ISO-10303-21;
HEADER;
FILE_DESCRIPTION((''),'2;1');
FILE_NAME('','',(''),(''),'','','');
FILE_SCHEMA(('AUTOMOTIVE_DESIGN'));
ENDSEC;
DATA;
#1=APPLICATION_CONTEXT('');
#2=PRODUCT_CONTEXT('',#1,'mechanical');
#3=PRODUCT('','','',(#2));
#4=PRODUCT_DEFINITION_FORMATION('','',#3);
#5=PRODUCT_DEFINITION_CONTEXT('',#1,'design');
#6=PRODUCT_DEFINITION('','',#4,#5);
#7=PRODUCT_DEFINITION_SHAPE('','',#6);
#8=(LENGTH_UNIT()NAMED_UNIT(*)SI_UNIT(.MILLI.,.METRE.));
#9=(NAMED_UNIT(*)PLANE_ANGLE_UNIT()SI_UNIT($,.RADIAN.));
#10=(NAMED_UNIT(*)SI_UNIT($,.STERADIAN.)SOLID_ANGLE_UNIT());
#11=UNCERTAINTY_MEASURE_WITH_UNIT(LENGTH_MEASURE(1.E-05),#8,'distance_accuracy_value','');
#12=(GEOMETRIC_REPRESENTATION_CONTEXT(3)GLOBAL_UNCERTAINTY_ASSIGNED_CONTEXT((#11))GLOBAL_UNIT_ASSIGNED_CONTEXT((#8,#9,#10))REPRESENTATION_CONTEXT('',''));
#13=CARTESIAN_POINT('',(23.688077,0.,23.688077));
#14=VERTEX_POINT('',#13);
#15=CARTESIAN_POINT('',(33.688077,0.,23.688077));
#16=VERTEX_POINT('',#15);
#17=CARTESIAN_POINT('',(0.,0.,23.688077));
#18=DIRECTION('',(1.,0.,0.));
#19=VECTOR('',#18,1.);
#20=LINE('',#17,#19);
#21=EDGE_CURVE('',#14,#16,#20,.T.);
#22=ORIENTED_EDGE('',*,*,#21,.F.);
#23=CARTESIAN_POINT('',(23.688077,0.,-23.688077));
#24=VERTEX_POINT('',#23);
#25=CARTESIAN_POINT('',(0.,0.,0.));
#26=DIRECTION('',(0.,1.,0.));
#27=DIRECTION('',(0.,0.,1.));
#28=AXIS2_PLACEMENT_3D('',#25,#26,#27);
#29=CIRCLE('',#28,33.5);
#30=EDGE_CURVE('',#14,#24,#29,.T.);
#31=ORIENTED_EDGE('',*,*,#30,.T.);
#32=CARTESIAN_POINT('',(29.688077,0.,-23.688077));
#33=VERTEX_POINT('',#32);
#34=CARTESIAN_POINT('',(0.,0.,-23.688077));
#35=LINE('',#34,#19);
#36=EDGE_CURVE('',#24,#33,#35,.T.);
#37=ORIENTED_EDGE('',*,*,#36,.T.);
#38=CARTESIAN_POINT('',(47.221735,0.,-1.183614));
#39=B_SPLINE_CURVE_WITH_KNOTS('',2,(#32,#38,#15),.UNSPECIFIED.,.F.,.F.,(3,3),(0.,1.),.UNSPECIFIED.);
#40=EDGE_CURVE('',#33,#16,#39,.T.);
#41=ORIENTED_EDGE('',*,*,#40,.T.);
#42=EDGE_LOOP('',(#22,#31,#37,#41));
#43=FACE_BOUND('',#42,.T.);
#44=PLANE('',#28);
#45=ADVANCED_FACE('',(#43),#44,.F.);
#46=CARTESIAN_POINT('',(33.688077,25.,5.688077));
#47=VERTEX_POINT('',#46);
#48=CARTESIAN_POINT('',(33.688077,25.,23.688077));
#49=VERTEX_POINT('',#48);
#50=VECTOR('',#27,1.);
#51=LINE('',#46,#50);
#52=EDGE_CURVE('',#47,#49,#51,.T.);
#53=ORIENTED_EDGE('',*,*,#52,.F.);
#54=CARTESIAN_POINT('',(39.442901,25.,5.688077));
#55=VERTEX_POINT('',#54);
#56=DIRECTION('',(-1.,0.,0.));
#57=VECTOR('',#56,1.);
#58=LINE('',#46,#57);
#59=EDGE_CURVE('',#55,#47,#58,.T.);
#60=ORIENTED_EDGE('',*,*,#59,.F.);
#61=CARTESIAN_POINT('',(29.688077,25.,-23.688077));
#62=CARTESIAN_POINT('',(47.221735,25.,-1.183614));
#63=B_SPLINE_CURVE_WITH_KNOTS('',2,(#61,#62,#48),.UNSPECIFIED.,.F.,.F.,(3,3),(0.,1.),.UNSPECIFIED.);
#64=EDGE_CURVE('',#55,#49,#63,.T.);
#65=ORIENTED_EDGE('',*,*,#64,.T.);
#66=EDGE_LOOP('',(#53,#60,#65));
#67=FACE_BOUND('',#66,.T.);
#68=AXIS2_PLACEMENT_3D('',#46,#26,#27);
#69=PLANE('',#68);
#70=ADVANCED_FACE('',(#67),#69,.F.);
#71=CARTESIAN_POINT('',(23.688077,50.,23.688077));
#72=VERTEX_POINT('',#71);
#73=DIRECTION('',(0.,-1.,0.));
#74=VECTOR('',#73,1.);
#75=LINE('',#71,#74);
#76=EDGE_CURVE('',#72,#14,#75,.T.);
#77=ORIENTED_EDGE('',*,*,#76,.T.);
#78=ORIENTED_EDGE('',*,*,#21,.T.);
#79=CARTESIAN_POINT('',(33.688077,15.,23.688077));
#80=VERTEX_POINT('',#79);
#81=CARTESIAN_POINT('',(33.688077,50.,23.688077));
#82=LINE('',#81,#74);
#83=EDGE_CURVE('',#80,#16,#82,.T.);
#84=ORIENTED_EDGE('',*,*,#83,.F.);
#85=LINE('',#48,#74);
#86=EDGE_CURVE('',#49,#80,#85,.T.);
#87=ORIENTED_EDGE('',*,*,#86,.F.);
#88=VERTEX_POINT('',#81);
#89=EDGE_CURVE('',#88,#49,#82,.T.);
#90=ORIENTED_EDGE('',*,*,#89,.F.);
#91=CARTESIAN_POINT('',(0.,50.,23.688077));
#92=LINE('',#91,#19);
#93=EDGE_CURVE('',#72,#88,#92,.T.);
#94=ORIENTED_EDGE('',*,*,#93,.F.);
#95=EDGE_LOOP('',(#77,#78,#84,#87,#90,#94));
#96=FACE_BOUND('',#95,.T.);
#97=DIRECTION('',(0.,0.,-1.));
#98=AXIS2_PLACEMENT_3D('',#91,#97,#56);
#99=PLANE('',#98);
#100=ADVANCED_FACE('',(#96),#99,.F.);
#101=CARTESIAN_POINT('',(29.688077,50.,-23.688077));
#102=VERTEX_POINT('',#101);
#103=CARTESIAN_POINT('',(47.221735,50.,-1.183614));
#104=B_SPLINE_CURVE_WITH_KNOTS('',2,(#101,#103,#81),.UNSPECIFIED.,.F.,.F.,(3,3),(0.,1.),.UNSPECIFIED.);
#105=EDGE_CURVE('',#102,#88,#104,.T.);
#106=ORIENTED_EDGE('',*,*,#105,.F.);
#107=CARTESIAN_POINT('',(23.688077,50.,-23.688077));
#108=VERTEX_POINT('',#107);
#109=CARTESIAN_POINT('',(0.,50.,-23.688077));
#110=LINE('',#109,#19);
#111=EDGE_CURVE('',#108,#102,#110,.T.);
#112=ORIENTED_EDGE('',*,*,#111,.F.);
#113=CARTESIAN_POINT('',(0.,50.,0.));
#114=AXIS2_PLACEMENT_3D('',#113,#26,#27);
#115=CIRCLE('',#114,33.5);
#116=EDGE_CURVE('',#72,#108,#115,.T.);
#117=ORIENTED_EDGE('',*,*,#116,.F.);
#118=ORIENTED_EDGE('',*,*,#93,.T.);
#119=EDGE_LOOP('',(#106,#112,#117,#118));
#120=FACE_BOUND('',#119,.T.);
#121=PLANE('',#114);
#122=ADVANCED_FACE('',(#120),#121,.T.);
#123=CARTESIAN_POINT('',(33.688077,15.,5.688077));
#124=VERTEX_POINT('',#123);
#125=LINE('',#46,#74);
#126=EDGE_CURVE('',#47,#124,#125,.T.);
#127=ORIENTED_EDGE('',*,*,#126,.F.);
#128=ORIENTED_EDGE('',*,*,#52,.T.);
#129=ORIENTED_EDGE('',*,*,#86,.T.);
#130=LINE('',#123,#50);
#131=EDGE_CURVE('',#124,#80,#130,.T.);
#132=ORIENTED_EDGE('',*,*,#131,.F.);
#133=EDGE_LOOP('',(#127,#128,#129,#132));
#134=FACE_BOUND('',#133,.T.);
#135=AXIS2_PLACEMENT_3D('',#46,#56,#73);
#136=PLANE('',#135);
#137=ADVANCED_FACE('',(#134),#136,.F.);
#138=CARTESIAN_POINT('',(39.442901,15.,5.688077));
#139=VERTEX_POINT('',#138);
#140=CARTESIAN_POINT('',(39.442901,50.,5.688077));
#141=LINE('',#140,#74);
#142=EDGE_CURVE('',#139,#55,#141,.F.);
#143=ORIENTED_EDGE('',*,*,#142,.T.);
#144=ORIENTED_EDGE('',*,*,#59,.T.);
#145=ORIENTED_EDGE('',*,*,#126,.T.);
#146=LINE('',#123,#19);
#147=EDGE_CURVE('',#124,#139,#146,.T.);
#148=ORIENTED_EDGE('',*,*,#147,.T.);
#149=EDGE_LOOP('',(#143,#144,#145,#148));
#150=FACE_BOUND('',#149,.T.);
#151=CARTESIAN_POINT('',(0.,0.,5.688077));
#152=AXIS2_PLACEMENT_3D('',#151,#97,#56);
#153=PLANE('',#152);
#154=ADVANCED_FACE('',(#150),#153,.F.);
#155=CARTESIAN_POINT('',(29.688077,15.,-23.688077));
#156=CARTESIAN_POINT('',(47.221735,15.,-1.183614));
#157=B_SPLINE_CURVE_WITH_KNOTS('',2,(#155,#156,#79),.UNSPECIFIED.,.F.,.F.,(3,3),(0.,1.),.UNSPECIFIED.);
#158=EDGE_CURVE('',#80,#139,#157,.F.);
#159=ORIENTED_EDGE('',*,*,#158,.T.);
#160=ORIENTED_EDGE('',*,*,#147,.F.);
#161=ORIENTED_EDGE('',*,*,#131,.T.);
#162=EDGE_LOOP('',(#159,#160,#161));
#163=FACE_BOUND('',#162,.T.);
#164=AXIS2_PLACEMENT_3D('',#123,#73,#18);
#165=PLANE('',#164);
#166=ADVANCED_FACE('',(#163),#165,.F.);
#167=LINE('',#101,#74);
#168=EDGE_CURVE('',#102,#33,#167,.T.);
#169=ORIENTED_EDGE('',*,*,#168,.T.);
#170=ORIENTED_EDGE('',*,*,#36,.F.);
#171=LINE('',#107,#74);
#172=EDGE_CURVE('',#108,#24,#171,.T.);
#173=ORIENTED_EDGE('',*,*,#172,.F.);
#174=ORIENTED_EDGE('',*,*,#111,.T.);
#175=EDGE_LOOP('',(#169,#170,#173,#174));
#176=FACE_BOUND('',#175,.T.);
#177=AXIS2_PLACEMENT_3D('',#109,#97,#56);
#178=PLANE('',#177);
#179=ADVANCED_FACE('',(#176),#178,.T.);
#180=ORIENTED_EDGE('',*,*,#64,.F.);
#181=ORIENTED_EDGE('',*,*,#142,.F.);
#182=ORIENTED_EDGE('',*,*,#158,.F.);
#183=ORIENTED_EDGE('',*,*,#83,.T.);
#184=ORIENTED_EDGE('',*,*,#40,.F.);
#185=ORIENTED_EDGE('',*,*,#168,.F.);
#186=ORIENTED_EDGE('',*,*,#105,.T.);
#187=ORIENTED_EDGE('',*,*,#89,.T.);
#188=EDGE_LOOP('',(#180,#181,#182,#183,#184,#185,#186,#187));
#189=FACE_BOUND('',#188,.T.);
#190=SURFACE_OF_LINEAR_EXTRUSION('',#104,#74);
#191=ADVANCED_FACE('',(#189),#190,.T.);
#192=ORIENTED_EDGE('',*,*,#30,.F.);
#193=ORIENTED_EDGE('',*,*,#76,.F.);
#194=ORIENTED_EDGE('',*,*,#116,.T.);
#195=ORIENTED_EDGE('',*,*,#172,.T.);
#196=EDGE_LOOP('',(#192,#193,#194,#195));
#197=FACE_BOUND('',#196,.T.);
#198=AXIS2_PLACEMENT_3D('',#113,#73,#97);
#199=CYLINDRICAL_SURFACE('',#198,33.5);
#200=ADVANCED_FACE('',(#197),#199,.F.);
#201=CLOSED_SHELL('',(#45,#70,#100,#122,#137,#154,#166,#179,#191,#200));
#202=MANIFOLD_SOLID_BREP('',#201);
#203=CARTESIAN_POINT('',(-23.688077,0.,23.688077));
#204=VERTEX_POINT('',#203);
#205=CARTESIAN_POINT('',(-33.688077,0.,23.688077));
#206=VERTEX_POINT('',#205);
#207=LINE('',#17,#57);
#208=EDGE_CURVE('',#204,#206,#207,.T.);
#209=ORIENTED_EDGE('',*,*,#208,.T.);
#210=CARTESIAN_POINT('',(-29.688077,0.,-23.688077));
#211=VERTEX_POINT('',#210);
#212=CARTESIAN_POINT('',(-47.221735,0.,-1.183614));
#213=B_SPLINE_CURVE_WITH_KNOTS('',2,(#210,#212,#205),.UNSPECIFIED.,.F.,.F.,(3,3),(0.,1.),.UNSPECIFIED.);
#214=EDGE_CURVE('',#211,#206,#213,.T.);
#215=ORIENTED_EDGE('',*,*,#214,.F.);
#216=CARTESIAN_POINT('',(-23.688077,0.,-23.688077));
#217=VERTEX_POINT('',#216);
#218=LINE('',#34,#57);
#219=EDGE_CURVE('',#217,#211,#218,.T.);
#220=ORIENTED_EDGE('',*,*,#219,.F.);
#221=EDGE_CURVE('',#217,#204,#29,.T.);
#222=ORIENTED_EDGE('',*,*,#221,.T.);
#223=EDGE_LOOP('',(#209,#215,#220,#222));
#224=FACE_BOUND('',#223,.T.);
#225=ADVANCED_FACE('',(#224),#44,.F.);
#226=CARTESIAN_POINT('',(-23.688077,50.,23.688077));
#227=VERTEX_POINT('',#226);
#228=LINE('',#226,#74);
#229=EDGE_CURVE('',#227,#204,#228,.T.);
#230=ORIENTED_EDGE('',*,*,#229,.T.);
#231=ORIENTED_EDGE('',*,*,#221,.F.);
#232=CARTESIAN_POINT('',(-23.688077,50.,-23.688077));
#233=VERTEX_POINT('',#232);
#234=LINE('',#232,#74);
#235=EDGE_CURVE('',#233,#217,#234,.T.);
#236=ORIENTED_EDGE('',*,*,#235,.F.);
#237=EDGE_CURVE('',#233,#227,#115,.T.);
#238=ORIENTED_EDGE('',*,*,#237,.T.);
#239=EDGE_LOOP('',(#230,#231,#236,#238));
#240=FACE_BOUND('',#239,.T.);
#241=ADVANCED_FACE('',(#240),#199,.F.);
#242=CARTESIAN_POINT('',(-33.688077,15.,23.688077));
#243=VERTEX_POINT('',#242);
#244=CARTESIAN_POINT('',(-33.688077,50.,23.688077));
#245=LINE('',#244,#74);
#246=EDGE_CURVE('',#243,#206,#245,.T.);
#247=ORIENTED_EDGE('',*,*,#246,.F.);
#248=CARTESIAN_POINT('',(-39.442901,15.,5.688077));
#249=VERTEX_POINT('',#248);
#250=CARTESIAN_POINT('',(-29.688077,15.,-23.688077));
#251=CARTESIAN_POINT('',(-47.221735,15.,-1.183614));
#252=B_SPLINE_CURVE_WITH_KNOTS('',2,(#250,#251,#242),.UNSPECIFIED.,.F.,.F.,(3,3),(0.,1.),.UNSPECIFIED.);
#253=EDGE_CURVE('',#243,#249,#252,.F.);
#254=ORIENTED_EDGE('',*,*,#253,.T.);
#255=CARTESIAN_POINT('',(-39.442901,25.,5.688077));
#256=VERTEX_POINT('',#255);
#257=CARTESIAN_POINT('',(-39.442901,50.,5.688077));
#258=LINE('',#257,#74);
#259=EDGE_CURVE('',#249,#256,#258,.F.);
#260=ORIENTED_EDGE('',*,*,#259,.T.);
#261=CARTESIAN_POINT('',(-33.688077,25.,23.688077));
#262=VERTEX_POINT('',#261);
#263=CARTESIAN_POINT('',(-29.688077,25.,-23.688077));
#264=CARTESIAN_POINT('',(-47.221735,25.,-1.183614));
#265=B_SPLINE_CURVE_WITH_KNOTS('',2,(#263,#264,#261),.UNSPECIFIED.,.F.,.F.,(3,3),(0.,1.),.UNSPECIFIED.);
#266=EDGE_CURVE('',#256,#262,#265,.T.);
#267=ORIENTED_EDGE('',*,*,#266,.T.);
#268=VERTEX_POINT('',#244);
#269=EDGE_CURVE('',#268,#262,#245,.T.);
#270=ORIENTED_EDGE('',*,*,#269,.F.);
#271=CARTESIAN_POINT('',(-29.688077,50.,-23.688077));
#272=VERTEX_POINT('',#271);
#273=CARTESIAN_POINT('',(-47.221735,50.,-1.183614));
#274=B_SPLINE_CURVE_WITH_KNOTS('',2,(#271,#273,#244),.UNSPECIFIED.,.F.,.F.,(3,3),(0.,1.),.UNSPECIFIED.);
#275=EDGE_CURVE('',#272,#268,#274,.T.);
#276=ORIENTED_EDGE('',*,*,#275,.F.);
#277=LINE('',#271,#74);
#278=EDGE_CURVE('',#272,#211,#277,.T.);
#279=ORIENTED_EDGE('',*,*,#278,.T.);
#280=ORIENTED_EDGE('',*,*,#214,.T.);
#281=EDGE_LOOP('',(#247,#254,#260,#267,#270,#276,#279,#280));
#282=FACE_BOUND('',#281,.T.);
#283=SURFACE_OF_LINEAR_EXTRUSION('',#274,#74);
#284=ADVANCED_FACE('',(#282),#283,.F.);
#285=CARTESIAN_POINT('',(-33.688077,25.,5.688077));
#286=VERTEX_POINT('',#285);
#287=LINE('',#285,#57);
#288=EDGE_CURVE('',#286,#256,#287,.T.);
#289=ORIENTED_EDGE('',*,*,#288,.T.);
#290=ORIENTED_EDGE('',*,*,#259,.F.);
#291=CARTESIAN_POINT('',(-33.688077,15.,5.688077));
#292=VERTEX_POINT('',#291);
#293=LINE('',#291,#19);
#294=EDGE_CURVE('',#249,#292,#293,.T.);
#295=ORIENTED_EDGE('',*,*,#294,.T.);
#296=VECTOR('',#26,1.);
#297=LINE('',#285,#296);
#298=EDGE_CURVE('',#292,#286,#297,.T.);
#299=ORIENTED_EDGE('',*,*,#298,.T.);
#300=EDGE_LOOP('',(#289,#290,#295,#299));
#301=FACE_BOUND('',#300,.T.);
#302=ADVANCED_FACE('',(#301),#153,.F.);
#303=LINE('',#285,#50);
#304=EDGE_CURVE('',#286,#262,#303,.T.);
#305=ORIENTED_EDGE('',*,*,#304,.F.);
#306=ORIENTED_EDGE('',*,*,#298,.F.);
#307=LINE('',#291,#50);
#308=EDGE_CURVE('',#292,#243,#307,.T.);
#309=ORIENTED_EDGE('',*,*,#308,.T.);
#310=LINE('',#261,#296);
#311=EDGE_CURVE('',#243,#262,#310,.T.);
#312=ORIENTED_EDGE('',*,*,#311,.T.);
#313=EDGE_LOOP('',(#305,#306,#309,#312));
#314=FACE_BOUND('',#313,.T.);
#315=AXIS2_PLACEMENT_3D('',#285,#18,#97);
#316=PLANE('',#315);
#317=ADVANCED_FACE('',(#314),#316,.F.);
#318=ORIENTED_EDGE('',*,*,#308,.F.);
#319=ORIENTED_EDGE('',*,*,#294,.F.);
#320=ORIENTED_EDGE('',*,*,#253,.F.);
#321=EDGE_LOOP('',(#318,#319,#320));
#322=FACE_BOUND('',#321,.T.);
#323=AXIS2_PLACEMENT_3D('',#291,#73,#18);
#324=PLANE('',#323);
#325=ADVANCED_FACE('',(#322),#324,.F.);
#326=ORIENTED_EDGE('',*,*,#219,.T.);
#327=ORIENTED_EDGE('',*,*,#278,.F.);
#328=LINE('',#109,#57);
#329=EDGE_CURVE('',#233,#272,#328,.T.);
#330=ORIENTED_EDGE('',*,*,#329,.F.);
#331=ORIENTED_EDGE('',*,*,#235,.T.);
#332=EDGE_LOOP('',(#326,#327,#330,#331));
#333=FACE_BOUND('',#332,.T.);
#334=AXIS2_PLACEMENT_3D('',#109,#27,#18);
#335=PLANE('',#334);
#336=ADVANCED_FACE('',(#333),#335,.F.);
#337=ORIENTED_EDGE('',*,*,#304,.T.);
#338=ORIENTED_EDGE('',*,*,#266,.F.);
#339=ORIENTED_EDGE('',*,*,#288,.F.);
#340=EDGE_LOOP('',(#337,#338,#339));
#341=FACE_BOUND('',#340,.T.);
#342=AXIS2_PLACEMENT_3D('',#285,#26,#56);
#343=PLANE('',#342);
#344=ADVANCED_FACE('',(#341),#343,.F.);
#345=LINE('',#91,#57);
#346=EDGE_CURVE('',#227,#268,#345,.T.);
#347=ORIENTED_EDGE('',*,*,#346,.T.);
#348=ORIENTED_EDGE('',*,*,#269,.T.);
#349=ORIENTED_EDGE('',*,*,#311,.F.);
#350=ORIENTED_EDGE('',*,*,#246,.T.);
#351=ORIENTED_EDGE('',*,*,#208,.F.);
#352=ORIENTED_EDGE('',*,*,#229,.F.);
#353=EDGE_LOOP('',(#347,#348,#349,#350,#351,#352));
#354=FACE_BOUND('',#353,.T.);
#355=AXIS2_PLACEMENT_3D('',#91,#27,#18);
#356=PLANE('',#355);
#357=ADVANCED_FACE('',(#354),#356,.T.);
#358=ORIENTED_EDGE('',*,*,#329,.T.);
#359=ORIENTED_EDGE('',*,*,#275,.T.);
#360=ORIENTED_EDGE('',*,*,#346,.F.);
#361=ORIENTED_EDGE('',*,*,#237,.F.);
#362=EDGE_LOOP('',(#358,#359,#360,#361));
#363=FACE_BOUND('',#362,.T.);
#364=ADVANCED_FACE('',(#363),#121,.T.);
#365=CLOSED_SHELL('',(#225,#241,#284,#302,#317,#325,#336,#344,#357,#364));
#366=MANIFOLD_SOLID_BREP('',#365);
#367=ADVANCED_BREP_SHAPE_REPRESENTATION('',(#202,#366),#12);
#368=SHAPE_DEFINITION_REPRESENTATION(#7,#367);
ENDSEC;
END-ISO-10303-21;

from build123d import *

# Parameters (mm, degrees)
BOSS_EXTRUDE1_DEPTH   = 50
BOSS_EXTRUDE1_2_DEPTH = 50
SKETCH3_W             = 8
SKETCH3_H             = 10
CUT_EXTRUDE5_DEPTH    = 18


with BuildPart() as part:
    # Sketch2 → Boss-Extrude1 (new body)
    with BuildSketch(Plane(origin=(0, 0, 0), x_dir=(1, 0, 0), z_dir=(0, 1, 0))):
        with BuildLine():
            ThreePointArc((-23.68807717, -23.68807717), (-33.5, 0), (-23.68807717, 23.68807717))
            Line((-23.68807717, 23.68807717), (-29.68807717, 23.68807717))
            add(Edge.make_bspline(
                [(-29.68807717, 23.68807717), (-47.221735333, 1.183613852), (-33.68807717, -23.68807717)],
                knots=[0, 0, 0, 1, 1, 1], degree=2))
            Line((-33.68807717, -23.68807717), (-23.68807717, -23.68807717))
        make_face()
    extrude(amount=BOSS_EXTRUDE1_DEPTH)


with BuildPart() as body_2:
    # Sketch2 → Boss-Extrude1 2 (new body)
    with BuildSketch(Plane(origin=(0, 0, 0), x_dir=(1, 0, 0), z_dir=(0, 1, 0))):
        with BuildLine():
            Line((29.68807717, 23.68807717), (23.68807717, 23.68807717))
            ThreePointArc((23.68807717, 23.68807717), (33.5, 0), (23.68807717, -23.68807717))
            Line((23.68807717, -23.68807717), (33.68807717, -23.68807717))
            add(Edge.make_bspline(
                [(29.68807717, 23.68807717), (47.221735333, 1.183613852), (33.68807717, -23.68807717)],
                knots=[0, 0, 0, 1, 1, 1], degree=2))
        make_face()
    extrude(amount=BOSS_EXTRUDE1_2_DEPTH)


with BuildPart() as cut_extrude5_tool:
    # Sketch3 → Cut-Extrude5 (new body)
    with BuildSketch(Plane.XY.offset(23.68807717)):
        with Locations((-37.68807717, 20)):
            Rectangle(SKETCH3_W, SKETCH3_H)
        with Locations((37.68807717, 20)):
            Rectangle(SKETCH3_W, SKETCH3_H)
    extrude(amount=-CUT_EXTRUDE5_DEPTH)


with BuildPart() as part_1:
    add(part.part)

    # Cut-Extrude5: cut by cut_extrude5_tool
    add(cut_extrude5_tool.part, mode=Mode.SUBTRACT)


with BuildPart() as body_2_1:
    add(body_2.part)

    # Cut-Extrude5: cut by cut_extrude5_tool
    add(cut_extrude5_tool.part, mode=Mode.SUBTRACT)


solid = Compound([part_1.part, body_2_1.part])
